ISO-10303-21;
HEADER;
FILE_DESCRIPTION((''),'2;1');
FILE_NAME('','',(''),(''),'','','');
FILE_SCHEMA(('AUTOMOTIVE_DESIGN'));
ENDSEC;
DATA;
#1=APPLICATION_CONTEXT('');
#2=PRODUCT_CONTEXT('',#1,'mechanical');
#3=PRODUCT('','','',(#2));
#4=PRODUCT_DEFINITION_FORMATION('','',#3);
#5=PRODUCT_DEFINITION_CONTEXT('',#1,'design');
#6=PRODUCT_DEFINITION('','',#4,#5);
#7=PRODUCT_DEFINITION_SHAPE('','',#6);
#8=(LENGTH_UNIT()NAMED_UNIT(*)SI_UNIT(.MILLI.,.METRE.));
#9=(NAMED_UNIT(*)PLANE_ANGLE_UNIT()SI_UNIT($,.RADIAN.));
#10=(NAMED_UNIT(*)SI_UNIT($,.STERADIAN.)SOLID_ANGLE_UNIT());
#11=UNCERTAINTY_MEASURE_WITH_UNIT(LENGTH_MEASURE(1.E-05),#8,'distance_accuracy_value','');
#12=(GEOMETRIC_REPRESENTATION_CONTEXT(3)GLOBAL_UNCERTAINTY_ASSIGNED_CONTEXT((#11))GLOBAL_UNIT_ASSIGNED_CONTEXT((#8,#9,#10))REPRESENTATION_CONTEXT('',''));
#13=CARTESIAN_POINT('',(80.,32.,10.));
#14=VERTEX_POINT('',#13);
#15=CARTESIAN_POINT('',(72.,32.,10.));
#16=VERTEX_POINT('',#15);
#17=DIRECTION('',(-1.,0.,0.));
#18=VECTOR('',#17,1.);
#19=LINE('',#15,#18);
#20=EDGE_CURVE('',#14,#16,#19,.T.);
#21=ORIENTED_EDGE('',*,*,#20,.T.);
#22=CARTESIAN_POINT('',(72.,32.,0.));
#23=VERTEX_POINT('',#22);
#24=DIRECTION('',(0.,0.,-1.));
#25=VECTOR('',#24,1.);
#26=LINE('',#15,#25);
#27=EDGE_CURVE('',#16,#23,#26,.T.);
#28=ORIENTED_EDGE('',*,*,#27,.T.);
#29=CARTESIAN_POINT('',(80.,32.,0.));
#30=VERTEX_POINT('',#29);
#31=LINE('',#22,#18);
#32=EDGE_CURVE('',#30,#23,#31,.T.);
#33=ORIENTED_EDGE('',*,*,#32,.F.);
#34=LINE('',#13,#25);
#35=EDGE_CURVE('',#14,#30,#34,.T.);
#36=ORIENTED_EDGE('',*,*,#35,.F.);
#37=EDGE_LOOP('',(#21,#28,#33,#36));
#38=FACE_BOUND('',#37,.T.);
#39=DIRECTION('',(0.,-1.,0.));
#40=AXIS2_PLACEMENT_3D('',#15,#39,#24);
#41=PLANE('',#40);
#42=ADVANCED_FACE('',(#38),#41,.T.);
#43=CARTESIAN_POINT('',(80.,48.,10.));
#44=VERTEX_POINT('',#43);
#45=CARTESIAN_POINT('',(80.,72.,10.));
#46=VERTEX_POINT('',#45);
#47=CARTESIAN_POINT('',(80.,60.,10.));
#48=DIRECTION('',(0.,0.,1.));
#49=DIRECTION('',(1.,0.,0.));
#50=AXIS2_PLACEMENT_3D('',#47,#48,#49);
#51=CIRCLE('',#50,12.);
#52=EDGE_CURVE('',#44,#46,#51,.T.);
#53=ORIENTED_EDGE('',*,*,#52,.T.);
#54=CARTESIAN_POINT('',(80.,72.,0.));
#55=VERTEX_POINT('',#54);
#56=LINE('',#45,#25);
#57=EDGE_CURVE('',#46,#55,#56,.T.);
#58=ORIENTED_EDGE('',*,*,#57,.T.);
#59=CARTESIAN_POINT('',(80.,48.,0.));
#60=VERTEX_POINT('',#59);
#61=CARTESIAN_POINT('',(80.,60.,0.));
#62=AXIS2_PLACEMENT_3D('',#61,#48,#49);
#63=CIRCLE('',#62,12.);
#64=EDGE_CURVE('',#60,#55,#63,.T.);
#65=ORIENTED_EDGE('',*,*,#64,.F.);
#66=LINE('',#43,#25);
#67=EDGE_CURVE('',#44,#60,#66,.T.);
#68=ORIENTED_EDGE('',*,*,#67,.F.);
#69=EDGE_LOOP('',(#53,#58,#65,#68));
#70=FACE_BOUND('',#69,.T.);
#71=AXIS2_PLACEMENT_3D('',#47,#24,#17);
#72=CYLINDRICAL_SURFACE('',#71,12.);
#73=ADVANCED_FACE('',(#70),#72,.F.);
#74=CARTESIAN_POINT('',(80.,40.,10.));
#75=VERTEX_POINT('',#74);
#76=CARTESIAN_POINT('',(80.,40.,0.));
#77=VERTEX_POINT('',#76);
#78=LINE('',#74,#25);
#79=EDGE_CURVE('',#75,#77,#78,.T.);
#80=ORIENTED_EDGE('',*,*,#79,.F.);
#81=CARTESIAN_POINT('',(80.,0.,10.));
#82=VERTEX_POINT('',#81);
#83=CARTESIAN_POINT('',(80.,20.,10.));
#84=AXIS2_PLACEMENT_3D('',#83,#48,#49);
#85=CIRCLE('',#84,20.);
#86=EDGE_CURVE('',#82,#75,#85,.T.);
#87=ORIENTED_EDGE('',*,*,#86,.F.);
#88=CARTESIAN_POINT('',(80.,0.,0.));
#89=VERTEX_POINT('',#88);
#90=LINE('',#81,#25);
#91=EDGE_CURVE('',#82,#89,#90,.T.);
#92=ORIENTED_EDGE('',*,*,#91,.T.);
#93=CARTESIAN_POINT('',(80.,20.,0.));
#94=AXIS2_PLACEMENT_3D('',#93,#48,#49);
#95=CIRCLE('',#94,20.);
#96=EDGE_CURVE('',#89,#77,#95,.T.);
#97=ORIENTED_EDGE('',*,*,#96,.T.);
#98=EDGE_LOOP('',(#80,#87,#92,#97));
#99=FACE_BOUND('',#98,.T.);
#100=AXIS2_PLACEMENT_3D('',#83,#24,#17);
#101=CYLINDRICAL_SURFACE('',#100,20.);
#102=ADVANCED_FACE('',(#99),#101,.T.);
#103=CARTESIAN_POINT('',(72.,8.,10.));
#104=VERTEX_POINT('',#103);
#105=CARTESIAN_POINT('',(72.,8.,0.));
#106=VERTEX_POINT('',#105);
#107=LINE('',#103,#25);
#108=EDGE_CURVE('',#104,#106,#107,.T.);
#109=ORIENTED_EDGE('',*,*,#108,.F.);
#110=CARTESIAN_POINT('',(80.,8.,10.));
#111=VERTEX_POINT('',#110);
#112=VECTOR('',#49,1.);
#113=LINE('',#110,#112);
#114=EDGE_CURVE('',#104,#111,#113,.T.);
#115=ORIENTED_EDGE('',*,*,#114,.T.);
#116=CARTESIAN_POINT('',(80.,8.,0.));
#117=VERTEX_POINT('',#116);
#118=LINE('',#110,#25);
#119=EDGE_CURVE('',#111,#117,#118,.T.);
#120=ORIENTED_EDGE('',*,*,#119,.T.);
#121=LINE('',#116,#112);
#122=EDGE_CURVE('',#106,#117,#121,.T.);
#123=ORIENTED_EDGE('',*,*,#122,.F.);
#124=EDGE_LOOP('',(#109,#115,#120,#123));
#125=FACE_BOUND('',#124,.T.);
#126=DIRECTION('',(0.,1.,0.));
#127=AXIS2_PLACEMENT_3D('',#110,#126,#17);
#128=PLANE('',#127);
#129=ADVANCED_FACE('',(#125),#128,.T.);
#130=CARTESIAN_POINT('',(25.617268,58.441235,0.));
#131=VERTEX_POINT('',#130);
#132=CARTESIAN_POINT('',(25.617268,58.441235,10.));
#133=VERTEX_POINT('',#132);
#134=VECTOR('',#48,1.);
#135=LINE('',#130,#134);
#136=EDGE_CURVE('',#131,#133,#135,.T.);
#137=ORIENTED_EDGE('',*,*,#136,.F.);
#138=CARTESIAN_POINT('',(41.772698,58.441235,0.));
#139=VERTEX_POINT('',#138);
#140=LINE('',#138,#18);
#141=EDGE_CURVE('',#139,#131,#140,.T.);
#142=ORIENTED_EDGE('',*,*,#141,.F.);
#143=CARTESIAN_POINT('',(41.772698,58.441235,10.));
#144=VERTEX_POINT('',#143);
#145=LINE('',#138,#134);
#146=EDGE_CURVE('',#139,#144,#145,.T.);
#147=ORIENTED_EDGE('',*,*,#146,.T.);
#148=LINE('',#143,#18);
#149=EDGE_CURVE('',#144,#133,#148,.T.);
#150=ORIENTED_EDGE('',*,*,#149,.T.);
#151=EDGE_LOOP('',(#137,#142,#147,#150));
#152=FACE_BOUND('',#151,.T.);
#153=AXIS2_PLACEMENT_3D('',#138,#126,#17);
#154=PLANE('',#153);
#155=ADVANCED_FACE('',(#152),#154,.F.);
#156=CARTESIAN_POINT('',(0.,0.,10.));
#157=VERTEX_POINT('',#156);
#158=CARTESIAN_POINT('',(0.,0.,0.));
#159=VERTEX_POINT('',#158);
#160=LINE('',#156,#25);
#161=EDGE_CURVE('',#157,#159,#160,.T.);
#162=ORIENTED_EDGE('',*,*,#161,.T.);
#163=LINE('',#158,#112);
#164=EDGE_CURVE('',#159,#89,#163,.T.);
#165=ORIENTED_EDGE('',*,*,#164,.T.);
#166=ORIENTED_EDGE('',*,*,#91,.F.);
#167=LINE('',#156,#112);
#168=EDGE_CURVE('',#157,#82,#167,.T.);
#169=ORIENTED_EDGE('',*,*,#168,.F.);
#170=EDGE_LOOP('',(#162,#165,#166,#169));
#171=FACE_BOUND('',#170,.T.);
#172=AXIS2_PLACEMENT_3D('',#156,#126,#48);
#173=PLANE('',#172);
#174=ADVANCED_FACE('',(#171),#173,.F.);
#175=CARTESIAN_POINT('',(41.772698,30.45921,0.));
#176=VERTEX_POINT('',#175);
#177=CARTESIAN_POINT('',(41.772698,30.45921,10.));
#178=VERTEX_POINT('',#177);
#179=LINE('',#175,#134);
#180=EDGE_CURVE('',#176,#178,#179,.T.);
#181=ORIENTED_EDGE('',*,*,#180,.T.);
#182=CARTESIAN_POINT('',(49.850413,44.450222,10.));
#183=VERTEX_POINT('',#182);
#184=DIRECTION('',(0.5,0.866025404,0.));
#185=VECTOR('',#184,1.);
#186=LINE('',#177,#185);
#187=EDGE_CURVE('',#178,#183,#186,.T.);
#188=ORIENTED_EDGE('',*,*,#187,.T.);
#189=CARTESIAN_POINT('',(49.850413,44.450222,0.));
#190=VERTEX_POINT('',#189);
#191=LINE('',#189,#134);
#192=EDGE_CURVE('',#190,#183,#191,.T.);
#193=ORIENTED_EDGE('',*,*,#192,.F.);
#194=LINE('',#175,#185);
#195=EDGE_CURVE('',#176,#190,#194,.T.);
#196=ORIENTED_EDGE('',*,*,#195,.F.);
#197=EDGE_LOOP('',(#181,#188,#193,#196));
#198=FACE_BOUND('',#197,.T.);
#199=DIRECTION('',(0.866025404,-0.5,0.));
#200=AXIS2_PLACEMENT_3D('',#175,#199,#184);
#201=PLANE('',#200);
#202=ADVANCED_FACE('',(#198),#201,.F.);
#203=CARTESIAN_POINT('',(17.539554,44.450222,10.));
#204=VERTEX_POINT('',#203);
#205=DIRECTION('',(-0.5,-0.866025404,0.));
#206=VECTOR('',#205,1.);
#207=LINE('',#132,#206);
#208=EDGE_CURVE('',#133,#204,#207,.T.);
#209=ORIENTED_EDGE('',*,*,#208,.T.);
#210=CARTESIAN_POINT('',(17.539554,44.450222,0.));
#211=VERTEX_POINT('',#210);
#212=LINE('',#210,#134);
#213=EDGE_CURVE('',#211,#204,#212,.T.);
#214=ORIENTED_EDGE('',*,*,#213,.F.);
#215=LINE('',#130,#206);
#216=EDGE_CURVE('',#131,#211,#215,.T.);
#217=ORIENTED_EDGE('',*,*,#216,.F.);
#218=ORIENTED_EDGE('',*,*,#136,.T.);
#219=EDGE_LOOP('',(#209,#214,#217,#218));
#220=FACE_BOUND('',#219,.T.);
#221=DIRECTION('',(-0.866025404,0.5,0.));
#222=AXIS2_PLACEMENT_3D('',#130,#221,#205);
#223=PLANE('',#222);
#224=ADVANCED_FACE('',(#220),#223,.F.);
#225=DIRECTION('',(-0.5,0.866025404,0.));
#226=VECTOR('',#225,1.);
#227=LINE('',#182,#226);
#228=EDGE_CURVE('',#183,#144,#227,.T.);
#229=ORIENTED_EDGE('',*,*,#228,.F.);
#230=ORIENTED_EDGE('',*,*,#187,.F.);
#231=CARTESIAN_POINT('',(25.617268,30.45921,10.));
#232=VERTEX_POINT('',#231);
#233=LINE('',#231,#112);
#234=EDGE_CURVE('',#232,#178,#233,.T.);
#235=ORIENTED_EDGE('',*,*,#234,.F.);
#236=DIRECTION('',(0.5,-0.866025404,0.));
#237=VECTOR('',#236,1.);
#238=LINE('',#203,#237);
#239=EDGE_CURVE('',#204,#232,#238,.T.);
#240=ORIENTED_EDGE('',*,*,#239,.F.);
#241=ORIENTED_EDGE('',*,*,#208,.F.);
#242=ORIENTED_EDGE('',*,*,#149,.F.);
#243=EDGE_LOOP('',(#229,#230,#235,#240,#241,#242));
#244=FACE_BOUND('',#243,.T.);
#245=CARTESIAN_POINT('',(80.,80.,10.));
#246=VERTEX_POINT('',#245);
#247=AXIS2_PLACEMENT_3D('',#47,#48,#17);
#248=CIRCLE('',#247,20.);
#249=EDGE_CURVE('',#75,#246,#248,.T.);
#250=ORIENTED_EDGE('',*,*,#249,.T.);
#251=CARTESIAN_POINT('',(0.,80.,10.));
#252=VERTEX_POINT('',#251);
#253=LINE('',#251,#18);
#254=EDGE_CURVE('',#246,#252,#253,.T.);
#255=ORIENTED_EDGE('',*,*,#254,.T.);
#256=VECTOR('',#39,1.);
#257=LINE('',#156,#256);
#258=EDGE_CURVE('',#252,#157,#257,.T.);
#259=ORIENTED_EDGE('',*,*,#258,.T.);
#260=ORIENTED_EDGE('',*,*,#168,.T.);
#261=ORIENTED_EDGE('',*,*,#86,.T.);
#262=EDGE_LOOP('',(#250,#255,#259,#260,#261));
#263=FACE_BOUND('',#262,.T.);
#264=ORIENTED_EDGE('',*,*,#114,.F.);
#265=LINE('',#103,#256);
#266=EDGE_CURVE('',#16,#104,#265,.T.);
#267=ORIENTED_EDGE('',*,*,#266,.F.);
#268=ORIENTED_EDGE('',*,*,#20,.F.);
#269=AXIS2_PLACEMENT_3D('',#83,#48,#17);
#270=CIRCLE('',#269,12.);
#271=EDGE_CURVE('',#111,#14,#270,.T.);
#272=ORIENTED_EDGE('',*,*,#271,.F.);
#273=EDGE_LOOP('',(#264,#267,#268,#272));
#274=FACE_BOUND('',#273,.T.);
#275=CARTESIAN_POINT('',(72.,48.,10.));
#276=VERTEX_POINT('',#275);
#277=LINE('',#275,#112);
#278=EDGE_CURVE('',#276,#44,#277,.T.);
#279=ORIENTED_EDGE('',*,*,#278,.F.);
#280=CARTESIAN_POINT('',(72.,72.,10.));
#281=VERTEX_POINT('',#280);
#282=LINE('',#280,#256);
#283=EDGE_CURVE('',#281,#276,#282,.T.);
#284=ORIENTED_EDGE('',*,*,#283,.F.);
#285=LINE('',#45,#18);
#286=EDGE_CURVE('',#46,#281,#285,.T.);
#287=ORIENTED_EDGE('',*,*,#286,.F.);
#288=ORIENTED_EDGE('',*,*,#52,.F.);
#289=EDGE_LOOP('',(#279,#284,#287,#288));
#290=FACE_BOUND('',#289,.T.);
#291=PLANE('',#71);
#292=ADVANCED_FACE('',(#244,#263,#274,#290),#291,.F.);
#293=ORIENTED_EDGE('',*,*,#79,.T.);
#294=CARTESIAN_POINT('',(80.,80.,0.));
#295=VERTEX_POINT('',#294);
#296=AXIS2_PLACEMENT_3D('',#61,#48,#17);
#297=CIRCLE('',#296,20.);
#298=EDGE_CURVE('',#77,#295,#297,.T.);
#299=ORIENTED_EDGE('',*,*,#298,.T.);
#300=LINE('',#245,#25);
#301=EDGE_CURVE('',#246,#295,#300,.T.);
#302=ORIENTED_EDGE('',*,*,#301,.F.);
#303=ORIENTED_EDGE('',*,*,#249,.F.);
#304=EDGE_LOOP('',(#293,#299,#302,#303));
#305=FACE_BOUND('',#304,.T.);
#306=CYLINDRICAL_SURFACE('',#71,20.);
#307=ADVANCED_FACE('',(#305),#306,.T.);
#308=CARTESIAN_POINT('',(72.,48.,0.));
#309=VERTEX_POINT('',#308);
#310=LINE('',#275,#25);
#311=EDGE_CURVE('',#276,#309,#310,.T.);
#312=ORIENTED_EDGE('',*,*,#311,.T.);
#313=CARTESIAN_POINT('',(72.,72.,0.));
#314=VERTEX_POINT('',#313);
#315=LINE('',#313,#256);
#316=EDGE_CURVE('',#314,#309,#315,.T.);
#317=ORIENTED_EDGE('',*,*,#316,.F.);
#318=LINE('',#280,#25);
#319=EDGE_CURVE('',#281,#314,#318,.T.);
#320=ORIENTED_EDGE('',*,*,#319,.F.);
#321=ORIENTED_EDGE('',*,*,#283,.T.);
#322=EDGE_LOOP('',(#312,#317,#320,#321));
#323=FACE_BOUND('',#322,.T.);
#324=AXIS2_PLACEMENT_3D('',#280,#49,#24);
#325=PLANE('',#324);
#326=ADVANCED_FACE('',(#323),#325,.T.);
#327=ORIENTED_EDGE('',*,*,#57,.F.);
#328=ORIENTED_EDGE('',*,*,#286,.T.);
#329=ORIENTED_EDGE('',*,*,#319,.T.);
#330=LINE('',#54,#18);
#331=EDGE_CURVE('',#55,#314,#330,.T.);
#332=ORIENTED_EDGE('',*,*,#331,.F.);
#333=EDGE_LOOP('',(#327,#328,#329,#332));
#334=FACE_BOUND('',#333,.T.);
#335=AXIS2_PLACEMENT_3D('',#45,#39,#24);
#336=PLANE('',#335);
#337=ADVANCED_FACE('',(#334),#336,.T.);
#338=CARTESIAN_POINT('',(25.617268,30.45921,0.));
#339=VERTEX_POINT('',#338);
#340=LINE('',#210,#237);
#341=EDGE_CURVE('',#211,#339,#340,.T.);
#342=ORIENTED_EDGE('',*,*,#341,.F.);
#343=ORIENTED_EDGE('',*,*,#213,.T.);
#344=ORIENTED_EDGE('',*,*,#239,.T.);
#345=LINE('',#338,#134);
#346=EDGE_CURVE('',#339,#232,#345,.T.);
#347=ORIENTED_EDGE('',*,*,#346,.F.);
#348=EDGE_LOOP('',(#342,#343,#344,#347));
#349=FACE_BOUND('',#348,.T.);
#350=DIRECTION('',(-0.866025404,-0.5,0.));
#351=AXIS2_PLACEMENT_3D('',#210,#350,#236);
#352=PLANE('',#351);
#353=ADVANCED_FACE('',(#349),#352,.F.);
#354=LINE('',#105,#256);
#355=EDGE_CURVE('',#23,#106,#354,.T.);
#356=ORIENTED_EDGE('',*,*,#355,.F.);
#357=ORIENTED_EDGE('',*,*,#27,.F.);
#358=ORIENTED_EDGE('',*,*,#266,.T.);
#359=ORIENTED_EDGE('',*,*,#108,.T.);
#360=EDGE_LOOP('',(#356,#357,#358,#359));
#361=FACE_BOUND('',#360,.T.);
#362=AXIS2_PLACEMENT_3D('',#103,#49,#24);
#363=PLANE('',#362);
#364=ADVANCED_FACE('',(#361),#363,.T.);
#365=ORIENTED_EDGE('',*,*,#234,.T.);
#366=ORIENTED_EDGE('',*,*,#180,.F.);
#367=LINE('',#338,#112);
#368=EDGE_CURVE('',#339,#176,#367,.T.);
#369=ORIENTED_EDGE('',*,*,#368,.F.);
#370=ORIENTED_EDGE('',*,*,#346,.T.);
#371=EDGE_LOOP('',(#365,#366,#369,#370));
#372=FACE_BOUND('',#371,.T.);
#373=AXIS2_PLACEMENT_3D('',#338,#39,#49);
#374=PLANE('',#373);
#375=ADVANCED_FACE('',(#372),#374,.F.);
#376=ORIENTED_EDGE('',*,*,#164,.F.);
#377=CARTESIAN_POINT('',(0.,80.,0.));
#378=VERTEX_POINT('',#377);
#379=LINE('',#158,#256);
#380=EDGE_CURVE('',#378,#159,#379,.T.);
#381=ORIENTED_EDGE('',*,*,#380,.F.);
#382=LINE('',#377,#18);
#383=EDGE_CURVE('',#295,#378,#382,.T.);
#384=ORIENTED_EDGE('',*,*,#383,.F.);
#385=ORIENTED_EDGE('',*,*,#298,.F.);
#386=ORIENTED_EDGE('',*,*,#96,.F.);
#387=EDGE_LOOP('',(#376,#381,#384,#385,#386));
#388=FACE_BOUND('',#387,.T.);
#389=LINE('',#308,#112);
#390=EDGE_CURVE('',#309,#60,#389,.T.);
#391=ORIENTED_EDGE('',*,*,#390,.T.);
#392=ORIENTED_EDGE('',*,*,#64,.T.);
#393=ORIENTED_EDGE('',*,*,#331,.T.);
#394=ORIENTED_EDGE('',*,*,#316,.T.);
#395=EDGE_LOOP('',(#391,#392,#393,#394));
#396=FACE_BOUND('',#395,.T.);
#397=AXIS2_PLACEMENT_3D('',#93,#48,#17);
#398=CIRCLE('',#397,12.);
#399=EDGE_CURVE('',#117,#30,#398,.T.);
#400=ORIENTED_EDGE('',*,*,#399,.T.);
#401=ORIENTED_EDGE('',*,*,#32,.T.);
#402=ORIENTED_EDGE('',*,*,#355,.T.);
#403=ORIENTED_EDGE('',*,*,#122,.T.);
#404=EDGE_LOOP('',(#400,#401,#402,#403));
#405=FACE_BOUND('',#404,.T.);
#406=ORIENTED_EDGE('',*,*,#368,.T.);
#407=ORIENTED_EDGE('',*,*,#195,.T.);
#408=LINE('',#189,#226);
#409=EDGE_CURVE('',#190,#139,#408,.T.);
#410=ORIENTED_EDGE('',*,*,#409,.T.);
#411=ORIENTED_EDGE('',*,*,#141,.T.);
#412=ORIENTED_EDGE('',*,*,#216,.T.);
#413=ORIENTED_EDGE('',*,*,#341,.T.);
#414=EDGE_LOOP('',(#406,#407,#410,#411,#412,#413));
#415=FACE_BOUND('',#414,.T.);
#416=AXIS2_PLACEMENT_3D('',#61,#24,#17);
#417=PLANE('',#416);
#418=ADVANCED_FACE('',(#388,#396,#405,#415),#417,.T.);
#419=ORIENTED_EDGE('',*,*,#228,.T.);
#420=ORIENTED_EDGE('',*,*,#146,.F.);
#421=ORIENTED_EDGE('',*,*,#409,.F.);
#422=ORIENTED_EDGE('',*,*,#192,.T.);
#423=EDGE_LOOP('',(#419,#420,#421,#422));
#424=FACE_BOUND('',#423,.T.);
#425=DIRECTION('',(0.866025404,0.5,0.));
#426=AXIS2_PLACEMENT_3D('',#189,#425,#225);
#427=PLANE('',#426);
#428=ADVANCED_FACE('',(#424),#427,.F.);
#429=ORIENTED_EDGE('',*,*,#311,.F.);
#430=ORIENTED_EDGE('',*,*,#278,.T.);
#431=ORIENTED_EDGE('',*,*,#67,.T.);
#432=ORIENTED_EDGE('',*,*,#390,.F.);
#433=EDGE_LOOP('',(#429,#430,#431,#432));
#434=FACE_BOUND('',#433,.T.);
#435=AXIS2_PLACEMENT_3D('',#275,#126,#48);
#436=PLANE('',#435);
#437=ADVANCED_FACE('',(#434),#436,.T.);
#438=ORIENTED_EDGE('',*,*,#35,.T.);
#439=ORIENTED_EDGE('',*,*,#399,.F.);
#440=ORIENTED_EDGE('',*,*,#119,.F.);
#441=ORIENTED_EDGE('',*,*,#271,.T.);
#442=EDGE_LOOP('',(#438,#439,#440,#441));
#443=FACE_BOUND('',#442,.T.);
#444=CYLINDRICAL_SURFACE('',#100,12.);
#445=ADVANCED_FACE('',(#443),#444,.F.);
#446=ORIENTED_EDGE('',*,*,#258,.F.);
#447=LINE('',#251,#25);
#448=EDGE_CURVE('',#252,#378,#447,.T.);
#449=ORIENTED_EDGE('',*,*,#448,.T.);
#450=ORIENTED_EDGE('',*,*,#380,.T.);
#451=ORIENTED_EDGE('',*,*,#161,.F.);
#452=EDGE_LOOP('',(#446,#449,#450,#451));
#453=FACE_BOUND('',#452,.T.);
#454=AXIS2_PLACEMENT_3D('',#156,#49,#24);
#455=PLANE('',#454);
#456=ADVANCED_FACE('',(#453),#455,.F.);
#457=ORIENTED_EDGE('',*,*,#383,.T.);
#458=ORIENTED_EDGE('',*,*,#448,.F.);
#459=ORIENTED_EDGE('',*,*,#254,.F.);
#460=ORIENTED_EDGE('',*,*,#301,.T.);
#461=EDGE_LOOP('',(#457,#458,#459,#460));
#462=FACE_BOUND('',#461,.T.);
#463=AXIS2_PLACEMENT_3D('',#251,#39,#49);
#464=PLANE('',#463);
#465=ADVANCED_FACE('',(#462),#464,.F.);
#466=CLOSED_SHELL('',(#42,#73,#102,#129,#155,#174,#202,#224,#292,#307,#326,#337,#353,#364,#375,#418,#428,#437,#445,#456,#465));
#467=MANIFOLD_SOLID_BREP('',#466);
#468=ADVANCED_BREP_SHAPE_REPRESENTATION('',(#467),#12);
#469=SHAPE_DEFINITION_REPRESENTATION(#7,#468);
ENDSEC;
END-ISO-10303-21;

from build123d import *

# Parameters (mm, degrees)
BOSS_EXTRU_1_DEPTH      = 10
ENL_V_MAT_EXTRU_3_DEPTH = 129.452325787


with BuildPart() as part:
    # Esquisse1 → Boss.-Extru.1 (new body)
    with BuildSketch(Plane.XY):
        with BuildLine():
            Line((0, 0), (80, 0))
            ThreePointArc((80, 0), (100, 20), (80, 40))
            ThreePointArc((80, 40), (100, 60), (80, 80))
            Line((80, 80), (0, 80))
            Line((0, 80), (0, 0))
        make_face()
        with BuildLine():
            Line((72, 8), (72, 32))
            Line((72, 32), (80, 32))
            ThreePointArc((80, 32), (92, 20), (80, 8))
            Line((80, 8), (72, 8))
        make_face(mode=Mode.SUBTRACT)
        with BuildLine():
            Line((72, 48), (80, 48))
            ThreePointArc((80, 48), (92, 60), (80, 72))
            Line((80, 72), (72, 72))
            Line((72, 72), (72, 48))
        make_face(mode=Mode.SUBTRACT)
    extrude(amount=BOSS_EXTRU_1_DEPTH)

    # Esquisse2 → Enlèv. mat.-Extru.3 (cut, through all)
    with BuildSketch(Plane.XY.offset(10)):
        Polygon((49.85041269, 44.450222472), (41.772697951, 58.441234808), (25.617268474, 58.441234808), (17.539553736, 44.450222472), (25.617268474, 30.459210135), (41.772697951, 30.459210135), align=None)
    extrude(amount=-ENL_V_MAT_EXTRU_3_DEPTH, mode=Mode.SUBTRACT)


solid = part.part
